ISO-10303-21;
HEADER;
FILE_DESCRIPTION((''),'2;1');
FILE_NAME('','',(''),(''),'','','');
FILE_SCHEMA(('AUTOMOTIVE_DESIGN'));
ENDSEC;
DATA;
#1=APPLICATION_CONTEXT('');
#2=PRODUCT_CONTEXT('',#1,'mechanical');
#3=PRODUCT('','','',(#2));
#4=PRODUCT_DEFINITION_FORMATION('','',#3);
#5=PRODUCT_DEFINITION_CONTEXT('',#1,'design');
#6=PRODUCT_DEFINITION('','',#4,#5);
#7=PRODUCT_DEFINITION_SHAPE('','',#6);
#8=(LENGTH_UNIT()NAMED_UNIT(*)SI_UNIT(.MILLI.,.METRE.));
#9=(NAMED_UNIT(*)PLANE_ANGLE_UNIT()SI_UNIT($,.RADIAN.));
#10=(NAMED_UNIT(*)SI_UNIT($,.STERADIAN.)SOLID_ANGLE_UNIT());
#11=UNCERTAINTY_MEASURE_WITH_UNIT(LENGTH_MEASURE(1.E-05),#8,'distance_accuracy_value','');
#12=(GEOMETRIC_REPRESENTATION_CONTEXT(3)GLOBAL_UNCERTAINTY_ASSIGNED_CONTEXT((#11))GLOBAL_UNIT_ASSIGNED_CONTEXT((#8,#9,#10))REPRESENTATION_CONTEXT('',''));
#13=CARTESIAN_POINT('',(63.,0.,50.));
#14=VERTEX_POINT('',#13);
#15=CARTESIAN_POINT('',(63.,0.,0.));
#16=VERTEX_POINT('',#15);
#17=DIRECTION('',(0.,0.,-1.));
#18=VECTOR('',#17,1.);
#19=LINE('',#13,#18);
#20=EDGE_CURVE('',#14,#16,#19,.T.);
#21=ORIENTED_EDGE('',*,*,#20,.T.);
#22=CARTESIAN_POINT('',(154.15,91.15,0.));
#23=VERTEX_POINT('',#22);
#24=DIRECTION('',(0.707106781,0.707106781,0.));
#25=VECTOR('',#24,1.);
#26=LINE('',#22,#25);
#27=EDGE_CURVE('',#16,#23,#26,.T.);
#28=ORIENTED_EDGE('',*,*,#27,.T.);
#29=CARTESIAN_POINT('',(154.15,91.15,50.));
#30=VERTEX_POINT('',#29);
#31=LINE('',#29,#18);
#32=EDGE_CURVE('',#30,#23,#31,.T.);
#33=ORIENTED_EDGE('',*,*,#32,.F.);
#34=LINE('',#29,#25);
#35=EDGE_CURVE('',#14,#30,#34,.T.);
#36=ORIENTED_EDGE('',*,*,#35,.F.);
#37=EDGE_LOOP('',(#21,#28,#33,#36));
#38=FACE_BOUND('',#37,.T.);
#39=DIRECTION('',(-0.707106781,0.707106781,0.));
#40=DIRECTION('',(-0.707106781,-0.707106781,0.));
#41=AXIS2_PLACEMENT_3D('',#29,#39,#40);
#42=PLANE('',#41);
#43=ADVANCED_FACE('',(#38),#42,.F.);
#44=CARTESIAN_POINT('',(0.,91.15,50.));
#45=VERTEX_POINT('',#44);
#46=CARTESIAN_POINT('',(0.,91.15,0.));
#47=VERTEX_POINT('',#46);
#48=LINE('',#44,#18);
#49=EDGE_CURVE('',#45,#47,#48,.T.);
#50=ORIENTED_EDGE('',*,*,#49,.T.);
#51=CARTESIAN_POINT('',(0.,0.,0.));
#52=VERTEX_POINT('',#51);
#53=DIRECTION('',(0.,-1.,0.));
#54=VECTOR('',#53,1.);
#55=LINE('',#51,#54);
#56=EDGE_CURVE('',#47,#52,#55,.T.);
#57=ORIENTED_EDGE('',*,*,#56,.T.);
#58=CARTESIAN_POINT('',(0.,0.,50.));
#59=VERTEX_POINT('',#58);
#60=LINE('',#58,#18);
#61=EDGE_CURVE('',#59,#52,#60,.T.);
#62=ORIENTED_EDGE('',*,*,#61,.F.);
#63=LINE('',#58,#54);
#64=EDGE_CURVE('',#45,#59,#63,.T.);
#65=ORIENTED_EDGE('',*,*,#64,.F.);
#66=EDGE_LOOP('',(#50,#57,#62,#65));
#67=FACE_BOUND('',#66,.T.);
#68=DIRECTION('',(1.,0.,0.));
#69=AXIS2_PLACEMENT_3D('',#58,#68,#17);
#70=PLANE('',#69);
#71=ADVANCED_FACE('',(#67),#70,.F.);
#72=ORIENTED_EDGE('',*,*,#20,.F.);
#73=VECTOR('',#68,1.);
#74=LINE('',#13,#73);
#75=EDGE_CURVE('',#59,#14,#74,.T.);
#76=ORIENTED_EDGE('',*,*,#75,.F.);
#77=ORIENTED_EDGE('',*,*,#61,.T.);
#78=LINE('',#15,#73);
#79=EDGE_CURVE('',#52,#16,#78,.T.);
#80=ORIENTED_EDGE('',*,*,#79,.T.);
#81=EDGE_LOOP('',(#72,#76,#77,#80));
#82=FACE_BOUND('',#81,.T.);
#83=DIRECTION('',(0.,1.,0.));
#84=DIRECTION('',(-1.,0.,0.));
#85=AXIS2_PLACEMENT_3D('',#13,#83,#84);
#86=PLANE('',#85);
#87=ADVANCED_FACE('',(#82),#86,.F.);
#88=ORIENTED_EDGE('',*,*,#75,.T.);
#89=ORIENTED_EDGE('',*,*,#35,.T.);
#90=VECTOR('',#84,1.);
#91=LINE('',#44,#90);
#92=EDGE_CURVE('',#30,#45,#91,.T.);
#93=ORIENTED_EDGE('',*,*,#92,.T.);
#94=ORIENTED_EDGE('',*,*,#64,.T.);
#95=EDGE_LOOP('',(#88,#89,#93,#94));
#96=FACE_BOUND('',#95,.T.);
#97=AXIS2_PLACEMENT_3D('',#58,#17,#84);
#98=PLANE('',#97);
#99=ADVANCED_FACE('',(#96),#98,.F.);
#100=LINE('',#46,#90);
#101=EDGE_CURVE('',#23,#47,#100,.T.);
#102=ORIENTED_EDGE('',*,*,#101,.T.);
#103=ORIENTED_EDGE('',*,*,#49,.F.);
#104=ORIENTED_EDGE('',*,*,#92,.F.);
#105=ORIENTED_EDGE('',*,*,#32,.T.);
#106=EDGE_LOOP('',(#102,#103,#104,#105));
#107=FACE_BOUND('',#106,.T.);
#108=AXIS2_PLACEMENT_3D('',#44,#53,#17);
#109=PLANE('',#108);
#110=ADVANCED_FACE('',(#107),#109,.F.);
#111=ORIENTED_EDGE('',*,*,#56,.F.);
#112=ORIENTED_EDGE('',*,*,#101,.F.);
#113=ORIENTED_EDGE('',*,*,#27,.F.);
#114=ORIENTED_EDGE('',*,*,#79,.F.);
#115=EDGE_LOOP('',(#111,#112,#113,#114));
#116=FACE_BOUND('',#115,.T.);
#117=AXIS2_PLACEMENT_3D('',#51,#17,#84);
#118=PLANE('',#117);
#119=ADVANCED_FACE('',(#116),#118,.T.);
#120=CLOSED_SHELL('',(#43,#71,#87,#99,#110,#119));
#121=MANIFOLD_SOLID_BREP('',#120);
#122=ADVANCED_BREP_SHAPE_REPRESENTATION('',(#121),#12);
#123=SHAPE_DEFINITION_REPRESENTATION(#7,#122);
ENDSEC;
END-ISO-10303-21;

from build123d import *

# Parameters (mm, degrees)
MAIN_EXTRUSION_DEPTH = 50


with BuildPart() as part:
    # Main-Sketch → Main-Extrusion (new body)
    with BuildSketch(Plane.XY):
        Polygon((0, 91.15), (154.15, 91.15), (63, 0), (0, 0), align=None)
    extrude(amount=MAIN_EXTRUSION_DEPTH)


solid = part.part
